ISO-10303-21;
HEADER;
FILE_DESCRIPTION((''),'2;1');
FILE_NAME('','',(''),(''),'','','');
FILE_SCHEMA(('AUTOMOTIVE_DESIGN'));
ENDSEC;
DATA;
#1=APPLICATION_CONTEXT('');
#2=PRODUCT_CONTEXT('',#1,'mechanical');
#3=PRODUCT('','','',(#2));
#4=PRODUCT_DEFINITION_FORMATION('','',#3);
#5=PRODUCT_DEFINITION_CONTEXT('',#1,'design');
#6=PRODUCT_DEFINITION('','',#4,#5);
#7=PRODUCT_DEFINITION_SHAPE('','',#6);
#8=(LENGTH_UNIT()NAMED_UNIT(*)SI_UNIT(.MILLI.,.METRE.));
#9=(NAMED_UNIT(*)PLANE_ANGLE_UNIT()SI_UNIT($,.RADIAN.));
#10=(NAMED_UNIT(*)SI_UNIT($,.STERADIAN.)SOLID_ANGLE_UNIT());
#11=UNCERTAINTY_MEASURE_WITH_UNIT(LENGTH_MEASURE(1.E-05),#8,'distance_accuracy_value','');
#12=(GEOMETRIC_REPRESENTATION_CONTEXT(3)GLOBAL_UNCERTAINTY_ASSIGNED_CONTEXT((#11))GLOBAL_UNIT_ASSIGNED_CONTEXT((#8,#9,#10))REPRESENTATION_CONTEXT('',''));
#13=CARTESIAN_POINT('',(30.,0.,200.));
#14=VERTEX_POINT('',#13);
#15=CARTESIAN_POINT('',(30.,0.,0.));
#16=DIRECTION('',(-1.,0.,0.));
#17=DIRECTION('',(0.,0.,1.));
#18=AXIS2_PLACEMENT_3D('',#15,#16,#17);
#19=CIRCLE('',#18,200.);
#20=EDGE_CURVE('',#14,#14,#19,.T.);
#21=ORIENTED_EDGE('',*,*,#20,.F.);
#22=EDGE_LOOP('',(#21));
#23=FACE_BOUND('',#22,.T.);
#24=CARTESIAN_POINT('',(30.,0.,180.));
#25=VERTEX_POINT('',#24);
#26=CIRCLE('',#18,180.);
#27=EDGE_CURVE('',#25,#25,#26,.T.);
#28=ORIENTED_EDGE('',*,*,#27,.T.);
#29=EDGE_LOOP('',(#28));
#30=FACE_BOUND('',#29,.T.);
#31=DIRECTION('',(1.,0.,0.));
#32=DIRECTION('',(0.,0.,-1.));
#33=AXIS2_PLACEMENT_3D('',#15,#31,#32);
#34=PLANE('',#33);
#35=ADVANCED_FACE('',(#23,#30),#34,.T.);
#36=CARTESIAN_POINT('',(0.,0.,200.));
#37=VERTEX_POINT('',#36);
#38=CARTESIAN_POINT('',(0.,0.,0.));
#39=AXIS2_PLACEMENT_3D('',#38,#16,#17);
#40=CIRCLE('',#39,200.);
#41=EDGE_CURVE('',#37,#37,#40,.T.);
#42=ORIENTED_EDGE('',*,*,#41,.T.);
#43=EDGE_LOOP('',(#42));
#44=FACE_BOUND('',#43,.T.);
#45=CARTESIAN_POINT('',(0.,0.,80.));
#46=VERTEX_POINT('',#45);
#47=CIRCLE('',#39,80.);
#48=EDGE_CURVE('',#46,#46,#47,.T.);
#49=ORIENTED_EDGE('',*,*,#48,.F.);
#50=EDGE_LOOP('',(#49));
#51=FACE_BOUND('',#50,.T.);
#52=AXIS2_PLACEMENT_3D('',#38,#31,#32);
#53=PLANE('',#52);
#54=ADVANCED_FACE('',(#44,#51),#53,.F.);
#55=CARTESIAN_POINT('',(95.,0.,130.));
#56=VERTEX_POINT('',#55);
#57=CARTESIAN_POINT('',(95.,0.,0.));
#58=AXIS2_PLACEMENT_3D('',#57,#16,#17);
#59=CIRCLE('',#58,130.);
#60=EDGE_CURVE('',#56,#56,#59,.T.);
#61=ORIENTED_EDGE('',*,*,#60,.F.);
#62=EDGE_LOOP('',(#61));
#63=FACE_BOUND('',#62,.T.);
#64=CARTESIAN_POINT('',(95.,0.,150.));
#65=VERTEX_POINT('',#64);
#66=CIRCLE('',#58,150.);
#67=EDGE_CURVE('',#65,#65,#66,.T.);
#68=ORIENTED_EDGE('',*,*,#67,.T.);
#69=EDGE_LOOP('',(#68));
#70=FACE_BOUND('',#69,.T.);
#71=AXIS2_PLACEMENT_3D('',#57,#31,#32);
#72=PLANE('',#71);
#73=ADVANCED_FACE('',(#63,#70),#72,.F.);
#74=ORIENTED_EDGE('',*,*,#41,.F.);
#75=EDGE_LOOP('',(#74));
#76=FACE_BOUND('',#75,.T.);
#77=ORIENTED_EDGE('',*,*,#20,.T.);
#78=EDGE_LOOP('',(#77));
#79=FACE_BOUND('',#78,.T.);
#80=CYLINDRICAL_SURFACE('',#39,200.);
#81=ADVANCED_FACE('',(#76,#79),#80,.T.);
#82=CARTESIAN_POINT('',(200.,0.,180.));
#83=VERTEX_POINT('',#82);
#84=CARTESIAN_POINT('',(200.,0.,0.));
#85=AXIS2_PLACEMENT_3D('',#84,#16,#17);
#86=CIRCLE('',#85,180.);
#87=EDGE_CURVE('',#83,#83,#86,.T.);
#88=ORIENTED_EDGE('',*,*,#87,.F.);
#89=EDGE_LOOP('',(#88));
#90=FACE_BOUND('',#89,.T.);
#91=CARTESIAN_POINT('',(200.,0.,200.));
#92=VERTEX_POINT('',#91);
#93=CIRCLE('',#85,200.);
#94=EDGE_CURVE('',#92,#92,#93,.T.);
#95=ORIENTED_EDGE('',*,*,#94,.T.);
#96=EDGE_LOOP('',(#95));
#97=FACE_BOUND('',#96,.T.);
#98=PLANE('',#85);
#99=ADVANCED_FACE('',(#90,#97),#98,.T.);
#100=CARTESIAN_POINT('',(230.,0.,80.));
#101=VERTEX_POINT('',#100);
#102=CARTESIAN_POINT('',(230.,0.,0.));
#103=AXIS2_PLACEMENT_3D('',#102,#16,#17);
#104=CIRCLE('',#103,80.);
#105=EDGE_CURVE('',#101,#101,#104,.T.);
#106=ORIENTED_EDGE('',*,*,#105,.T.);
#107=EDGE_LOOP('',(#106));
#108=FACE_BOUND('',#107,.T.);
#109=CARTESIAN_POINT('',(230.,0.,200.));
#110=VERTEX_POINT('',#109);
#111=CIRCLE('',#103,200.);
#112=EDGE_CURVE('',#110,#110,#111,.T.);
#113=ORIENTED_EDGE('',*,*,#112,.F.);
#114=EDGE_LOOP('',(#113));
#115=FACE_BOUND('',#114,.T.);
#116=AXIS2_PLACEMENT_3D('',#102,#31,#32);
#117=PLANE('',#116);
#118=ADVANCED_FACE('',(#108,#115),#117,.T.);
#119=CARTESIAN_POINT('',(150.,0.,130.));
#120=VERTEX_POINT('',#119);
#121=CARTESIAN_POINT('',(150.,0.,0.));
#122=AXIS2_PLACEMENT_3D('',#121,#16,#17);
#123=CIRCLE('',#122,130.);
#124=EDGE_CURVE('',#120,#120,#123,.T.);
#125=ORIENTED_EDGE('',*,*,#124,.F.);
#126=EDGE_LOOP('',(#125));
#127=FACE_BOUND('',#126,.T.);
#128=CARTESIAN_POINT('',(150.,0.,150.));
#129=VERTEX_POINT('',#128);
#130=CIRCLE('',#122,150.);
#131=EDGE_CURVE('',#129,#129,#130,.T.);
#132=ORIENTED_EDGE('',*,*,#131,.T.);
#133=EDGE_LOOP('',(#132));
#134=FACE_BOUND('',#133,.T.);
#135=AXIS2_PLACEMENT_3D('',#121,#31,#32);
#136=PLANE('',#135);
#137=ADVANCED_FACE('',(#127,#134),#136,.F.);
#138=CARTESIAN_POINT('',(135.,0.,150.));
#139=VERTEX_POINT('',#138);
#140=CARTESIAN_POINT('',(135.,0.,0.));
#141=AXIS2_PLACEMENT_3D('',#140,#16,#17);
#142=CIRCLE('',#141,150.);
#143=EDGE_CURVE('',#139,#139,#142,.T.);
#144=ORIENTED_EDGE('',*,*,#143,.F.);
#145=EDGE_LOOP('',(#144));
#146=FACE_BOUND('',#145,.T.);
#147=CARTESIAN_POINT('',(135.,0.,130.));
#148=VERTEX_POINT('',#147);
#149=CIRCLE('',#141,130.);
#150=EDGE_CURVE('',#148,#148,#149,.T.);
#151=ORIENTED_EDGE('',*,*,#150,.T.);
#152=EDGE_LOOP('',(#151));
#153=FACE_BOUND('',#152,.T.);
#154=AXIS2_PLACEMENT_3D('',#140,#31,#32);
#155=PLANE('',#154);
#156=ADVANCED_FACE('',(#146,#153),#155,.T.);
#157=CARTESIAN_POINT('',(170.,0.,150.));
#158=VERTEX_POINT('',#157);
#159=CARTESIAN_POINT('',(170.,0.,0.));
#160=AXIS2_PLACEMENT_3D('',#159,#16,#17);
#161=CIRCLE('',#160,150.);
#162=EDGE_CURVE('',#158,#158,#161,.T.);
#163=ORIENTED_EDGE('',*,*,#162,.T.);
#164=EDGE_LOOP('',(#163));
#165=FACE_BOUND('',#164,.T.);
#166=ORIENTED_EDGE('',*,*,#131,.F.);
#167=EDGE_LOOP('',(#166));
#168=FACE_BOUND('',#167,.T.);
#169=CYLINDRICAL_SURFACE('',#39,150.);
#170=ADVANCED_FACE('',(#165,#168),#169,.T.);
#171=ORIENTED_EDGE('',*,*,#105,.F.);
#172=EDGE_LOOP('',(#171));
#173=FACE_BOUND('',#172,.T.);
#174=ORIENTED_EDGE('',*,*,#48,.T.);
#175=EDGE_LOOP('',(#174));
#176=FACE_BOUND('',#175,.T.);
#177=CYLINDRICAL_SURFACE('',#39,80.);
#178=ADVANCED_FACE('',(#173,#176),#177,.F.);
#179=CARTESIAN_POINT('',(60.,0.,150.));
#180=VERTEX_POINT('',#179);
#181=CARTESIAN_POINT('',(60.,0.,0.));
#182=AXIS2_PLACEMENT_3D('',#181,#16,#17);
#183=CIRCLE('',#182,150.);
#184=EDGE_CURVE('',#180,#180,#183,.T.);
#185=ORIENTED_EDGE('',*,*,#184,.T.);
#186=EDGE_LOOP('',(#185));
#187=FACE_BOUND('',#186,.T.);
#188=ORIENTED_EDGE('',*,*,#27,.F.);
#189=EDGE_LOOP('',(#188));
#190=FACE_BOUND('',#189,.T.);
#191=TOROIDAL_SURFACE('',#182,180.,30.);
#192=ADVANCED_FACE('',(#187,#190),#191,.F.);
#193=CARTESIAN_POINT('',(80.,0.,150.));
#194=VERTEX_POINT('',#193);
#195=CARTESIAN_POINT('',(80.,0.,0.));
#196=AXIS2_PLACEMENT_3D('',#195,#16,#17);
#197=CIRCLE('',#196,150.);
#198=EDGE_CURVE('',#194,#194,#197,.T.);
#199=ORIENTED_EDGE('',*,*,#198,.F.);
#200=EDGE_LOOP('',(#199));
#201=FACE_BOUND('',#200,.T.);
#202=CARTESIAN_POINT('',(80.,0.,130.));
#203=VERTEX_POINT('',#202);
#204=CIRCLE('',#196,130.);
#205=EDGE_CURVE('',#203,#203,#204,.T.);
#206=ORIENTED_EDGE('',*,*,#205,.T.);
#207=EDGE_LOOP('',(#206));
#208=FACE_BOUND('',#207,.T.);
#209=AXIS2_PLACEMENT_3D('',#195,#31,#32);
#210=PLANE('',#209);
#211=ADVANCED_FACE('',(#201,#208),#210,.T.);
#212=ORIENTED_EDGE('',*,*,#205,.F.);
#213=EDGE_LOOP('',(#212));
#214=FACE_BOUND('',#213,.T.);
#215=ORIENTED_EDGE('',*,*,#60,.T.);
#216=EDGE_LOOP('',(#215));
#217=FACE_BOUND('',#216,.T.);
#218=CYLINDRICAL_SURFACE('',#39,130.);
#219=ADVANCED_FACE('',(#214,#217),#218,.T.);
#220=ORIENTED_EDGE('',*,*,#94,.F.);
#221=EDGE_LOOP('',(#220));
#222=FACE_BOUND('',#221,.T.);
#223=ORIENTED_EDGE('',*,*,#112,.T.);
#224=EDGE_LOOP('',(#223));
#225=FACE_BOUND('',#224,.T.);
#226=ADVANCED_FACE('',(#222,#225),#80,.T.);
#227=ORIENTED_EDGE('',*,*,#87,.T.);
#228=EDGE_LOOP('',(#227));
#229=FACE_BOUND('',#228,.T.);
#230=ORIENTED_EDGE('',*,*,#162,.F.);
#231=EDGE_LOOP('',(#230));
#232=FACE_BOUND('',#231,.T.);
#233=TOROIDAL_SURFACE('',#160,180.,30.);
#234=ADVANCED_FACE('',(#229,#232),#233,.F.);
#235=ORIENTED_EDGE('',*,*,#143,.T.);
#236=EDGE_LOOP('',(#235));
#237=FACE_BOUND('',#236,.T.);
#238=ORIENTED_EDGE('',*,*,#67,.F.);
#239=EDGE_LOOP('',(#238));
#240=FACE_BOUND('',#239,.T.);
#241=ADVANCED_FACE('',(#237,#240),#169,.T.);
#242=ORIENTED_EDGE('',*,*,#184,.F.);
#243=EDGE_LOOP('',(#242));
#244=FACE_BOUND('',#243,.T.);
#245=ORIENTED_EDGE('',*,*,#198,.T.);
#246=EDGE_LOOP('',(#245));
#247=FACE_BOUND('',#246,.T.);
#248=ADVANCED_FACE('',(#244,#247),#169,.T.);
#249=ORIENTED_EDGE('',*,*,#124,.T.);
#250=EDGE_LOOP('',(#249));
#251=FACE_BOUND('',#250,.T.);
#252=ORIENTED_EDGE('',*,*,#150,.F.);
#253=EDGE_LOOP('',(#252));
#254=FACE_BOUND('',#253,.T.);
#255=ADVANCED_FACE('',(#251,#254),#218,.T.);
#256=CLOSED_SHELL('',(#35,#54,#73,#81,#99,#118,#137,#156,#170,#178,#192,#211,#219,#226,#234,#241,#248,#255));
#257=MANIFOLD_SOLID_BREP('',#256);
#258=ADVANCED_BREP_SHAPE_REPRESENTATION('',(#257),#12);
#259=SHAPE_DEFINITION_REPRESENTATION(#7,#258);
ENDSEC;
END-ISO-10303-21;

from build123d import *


with BuildPart() as part:
    # Esquisse2 → Révolution1 (revolve)
    with BuildSketch(Plane.XY, mode=Mode.PRIVATE) as r_volution1_sk:
        with BuildLine():
            Line((230, 200), (230, 80))
            Line((230, 80), (0, 80))
            Line((0, 80), (0, 200))
            Line((0, 200), (30, 200))
            Line((30, 200), (30, 180))
            ThreePointArc((30, 180), (38.786796564, 158.786796564), (60, 150))
            Line((60, 150), (80, 150))
            Line((80, 150), (80, 130))
            Line((80, 130), (95, 130))
            Line((95, 130), (95, 150))
            Line((95, 150), (135, 150))
            Line((135, 150), (135, 130))
            Line((135, 130), (150, 130))
            Line((150, 130), (150, 150))
            Line((150, 150), (170, 150))
            ThreePointArc((170, 150), (191.213203436, 158.786796564), (200, 180))
            Line((200, 180), (200, 200))
            Line((200, 200), (230, 200))
        make_face()
    revolve(r_volution1_sk.sketch.rotate(Axis((0, 0, 0), (1, 0, 0)), 90), axis=Axis((0, 0, 0), (1, 0, 0)))


solid = part.part
